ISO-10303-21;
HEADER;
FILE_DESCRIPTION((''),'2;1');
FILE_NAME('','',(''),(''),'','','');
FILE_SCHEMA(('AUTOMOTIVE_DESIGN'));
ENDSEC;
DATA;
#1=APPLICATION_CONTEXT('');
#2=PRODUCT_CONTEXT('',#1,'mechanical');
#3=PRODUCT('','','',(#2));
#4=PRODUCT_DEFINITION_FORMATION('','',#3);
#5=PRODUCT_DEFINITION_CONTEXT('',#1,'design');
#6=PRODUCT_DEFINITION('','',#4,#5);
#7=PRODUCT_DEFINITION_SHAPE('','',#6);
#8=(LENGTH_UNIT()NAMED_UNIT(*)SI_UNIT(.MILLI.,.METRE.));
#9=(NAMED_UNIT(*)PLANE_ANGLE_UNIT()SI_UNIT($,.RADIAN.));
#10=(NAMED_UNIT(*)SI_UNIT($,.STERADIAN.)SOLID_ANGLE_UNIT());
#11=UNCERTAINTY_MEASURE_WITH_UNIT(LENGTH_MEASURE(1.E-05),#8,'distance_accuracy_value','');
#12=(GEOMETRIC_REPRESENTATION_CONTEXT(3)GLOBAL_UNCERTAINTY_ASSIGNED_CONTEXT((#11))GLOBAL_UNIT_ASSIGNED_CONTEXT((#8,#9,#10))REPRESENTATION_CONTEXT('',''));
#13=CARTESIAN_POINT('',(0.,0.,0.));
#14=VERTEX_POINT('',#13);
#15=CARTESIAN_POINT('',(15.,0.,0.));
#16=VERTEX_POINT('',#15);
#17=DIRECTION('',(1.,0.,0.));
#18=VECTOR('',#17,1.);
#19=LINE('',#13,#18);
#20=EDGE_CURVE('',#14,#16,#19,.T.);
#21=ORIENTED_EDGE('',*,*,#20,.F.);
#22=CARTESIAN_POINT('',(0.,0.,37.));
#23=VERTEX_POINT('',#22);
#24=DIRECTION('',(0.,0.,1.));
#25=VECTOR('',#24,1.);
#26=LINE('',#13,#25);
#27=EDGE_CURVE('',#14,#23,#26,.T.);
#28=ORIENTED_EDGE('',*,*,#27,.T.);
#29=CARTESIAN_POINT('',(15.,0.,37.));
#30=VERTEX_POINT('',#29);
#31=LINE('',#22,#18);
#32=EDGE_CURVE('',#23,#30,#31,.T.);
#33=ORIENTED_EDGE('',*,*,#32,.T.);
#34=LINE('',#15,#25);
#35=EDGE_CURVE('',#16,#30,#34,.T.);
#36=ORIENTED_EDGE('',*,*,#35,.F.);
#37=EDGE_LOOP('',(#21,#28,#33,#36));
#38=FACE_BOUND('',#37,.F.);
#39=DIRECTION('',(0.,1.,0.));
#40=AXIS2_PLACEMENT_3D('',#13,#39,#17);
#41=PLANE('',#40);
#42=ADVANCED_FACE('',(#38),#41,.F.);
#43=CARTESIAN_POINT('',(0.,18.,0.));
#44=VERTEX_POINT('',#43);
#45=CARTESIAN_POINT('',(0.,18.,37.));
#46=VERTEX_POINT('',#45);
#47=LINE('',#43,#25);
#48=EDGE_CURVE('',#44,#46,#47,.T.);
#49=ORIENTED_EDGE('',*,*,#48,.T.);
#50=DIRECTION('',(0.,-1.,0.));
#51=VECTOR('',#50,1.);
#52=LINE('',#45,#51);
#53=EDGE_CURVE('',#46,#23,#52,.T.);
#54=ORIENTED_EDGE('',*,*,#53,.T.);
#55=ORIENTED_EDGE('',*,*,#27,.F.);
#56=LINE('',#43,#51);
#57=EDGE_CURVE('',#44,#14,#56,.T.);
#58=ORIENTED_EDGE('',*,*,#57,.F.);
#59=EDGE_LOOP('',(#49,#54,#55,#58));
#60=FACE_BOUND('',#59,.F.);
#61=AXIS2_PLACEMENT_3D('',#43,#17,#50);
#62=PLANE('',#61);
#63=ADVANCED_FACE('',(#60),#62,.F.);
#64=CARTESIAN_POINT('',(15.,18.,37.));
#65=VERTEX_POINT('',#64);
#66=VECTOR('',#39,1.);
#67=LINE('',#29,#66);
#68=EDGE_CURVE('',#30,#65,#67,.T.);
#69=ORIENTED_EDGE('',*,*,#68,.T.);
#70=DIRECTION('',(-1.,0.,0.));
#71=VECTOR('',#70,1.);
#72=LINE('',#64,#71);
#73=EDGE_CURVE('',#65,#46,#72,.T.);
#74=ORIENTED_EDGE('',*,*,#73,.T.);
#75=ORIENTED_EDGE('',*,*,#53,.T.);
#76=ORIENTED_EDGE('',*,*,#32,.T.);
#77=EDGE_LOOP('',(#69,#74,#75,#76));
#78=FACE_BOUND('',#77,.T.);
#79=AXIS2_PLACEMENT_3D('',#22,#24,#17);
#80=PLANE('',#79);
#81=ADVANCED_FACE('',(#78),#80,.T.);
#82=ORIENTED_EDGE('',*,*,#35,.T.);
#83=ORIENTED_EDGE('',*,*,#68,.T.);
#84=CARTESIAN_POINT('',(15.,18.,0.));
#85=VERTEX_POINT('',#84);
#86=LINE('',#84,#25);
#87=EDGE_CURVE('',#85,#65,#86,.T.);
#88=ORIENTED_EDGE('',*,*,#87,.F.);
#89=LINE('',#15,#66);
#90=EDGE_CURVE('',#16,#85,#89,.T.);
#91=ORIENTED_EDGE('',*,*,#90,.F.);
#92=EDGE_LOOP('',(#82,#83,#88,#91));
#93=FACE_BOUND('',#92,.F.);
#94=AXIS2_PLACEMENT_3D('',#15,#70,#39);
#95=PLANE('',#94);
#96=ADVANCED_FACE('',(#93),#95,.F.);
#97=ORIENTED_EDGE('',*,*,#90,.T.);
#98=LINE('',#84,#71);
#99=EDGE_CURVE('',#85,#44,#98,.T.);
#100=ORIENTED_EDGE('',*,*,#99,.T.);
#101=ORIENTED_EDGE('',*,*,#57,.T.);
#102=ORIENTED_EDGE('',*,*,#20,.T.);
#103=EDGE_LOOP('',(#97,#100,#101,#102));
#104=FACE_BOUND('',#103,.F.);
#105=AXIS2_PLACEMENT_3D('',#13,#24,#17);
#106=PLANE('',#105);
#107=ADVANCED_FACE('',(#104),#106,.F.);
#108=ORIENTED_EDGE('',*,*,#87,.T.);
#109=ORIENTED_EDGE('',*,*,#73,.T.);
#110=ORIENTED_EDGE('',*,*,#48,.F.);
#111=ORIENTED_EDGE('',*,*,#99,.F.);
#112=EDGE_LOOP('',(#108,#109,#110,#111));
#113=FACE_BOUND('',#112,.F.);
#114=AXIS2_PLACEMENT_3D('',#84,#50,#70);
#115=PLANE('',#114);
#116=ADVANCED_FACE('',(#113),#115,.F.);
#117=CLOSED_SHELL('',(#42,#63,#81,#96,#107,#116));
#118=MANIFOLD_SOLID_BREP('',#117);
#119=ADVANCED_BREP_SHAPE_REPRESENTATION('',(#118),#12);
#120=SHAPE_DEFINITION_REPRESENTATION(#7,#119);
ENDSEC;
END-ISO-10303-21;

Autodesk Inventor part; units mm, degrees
ref_plane "YZ Plane" through (0, 0, 0) normal (1, 0, 0) x (0, 1, 0)
ref_plane "XZ Plane" through (0, 0, 0) normal (0, 1, 0) x (-1, 0, 0)
ref_plane "XY Plane" through (0, 0, 0) normal (0, 0, 1) x (1, 0, 0)
sketch "Sketch1" plane through (0, 0, 0) normal (0, 0, 1) x (1, 0, 0)
  line L0 (0, 0) -> (15, 0)
  line L1 (15, 0) -> (15, 18)
  line L2 (15, 18) -> (0, 18)
  line L3 (0, 18) -> (0, 0)
  dimension "d0" = 15
  dimension "d1" = 18
extrude "Extrusion1" add sketch "Sketch1" along normal blind 37
properties part number "MeinbergPower"
